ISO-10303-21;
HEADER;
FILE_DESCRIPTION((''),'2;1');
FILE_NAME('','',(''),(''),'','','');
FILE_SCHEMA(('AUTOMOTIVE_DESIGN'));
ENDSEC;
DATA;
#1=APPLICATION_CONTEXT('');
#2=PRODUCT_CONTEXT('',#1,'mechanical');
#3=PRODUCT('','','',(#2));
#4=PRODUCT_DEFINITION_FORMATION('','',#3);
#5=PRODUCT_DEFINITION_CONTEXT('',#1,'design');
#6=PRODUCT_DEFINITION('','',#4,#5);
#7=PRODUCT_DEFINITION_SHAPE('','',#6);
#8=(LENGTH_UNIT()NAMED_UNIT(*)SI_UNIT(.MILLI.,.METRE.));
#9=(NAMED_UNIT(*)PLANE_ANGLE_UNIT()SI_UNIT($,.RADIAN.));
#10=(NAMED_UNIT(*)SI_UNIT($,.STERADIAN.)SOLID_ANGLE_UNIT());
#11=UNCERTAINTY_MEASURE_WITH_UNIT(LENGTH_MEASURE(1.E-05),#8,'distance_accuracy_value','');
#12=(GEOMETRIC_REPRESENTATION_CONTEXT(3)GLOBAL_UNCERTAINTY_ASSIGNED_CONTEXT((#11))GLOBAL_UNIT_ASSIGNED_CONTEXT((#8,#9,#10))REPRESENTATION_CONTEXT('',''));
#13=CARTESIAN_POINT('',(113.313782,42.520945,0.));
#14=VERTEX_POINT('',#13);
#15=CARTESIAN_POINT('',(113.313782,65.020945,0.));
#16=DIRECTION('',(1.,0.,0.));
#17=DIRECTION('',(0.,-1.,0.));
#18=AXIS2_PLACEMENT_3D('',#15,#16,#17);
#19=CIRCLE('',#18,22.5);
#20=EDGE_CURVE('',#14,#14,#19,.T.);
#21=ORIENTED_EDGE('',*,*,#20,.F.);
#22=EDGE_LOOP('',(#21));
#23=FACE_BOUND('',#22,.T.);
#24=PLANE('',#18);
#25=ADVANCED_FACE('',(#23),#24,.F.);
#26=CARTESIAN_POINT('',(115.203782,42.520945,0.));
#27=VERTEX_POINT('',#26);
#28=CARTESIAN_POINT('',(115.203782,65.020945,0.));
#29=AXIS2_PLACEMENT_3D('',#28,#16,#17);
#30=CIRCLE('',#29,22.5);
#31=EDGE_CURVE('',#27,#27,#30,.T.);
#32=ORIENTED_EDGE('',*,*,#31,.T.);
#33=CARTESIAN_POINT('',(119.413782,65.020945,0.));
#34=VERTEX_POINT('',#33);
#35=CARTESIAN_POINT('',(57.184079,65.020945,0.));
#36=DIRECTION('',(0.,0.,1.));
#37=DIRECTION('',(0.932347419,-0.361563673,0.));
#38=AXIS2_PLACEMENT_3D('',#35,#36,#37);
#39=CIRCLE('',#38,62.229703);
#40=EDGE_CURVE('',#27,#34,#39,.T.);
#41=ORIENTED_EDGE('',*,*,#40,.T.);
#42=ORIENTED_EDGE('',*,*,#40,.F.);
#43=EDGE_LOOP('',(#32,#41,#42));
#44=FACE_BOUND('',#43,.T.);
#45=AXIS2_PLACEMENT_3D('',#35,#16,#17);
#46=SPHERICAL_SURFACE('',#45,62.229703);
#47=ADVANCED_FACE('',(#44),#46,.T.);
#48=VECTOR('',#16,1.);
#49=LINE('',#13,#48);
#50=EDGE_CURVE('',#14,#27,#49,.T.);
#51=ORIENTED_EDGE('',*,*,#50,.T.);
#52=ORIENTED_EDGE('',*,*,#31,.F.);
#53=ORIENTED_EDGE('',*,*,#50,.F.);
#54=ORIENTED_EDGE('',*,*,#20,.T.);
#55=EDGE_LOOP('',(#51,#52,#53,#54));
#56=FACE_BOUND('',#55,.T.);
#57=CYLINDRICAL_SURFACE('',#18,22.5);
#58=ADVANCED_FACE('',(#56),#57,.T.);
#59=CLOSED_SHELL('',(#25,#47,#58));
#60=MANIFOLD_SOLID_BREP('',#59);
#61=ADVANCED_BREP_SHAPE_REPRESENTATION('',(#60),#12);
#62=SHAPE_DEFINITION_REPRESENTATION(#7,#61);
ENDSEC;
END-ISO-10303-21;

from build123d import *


with BuildPart() as part:
    # 草图1 → 旋转1 (revolve)
    with BuildSketch(Plane.XY, mode=Mode.PRIVATE) as revolve_1_sk:
        with BuildLine():
            Line((113.313781958, 65.02094538), (113.313781958, 87.52094538))
            Line((113.313781958, 87.52094538), (115.203781958, 87.52094538))
            ThreePointArc((115.203781958, 87.52094538), (118.352227619, 76.466185657), (119.413781958, 65.02094538))
            Line((119.413781958, 65.02094538), (113.313781958, 65.02094538))
        make_face()
    revolve(revolve_1_sk.sketch.rotate(Axis((108.66557433, 65.02094538, 0), (1, 0, 0)), 180), axis=Axis((108.66557433, 65.02094538, 0), (1, 0, 0)))  # turned: the seam where the file's is


solid = part.part
